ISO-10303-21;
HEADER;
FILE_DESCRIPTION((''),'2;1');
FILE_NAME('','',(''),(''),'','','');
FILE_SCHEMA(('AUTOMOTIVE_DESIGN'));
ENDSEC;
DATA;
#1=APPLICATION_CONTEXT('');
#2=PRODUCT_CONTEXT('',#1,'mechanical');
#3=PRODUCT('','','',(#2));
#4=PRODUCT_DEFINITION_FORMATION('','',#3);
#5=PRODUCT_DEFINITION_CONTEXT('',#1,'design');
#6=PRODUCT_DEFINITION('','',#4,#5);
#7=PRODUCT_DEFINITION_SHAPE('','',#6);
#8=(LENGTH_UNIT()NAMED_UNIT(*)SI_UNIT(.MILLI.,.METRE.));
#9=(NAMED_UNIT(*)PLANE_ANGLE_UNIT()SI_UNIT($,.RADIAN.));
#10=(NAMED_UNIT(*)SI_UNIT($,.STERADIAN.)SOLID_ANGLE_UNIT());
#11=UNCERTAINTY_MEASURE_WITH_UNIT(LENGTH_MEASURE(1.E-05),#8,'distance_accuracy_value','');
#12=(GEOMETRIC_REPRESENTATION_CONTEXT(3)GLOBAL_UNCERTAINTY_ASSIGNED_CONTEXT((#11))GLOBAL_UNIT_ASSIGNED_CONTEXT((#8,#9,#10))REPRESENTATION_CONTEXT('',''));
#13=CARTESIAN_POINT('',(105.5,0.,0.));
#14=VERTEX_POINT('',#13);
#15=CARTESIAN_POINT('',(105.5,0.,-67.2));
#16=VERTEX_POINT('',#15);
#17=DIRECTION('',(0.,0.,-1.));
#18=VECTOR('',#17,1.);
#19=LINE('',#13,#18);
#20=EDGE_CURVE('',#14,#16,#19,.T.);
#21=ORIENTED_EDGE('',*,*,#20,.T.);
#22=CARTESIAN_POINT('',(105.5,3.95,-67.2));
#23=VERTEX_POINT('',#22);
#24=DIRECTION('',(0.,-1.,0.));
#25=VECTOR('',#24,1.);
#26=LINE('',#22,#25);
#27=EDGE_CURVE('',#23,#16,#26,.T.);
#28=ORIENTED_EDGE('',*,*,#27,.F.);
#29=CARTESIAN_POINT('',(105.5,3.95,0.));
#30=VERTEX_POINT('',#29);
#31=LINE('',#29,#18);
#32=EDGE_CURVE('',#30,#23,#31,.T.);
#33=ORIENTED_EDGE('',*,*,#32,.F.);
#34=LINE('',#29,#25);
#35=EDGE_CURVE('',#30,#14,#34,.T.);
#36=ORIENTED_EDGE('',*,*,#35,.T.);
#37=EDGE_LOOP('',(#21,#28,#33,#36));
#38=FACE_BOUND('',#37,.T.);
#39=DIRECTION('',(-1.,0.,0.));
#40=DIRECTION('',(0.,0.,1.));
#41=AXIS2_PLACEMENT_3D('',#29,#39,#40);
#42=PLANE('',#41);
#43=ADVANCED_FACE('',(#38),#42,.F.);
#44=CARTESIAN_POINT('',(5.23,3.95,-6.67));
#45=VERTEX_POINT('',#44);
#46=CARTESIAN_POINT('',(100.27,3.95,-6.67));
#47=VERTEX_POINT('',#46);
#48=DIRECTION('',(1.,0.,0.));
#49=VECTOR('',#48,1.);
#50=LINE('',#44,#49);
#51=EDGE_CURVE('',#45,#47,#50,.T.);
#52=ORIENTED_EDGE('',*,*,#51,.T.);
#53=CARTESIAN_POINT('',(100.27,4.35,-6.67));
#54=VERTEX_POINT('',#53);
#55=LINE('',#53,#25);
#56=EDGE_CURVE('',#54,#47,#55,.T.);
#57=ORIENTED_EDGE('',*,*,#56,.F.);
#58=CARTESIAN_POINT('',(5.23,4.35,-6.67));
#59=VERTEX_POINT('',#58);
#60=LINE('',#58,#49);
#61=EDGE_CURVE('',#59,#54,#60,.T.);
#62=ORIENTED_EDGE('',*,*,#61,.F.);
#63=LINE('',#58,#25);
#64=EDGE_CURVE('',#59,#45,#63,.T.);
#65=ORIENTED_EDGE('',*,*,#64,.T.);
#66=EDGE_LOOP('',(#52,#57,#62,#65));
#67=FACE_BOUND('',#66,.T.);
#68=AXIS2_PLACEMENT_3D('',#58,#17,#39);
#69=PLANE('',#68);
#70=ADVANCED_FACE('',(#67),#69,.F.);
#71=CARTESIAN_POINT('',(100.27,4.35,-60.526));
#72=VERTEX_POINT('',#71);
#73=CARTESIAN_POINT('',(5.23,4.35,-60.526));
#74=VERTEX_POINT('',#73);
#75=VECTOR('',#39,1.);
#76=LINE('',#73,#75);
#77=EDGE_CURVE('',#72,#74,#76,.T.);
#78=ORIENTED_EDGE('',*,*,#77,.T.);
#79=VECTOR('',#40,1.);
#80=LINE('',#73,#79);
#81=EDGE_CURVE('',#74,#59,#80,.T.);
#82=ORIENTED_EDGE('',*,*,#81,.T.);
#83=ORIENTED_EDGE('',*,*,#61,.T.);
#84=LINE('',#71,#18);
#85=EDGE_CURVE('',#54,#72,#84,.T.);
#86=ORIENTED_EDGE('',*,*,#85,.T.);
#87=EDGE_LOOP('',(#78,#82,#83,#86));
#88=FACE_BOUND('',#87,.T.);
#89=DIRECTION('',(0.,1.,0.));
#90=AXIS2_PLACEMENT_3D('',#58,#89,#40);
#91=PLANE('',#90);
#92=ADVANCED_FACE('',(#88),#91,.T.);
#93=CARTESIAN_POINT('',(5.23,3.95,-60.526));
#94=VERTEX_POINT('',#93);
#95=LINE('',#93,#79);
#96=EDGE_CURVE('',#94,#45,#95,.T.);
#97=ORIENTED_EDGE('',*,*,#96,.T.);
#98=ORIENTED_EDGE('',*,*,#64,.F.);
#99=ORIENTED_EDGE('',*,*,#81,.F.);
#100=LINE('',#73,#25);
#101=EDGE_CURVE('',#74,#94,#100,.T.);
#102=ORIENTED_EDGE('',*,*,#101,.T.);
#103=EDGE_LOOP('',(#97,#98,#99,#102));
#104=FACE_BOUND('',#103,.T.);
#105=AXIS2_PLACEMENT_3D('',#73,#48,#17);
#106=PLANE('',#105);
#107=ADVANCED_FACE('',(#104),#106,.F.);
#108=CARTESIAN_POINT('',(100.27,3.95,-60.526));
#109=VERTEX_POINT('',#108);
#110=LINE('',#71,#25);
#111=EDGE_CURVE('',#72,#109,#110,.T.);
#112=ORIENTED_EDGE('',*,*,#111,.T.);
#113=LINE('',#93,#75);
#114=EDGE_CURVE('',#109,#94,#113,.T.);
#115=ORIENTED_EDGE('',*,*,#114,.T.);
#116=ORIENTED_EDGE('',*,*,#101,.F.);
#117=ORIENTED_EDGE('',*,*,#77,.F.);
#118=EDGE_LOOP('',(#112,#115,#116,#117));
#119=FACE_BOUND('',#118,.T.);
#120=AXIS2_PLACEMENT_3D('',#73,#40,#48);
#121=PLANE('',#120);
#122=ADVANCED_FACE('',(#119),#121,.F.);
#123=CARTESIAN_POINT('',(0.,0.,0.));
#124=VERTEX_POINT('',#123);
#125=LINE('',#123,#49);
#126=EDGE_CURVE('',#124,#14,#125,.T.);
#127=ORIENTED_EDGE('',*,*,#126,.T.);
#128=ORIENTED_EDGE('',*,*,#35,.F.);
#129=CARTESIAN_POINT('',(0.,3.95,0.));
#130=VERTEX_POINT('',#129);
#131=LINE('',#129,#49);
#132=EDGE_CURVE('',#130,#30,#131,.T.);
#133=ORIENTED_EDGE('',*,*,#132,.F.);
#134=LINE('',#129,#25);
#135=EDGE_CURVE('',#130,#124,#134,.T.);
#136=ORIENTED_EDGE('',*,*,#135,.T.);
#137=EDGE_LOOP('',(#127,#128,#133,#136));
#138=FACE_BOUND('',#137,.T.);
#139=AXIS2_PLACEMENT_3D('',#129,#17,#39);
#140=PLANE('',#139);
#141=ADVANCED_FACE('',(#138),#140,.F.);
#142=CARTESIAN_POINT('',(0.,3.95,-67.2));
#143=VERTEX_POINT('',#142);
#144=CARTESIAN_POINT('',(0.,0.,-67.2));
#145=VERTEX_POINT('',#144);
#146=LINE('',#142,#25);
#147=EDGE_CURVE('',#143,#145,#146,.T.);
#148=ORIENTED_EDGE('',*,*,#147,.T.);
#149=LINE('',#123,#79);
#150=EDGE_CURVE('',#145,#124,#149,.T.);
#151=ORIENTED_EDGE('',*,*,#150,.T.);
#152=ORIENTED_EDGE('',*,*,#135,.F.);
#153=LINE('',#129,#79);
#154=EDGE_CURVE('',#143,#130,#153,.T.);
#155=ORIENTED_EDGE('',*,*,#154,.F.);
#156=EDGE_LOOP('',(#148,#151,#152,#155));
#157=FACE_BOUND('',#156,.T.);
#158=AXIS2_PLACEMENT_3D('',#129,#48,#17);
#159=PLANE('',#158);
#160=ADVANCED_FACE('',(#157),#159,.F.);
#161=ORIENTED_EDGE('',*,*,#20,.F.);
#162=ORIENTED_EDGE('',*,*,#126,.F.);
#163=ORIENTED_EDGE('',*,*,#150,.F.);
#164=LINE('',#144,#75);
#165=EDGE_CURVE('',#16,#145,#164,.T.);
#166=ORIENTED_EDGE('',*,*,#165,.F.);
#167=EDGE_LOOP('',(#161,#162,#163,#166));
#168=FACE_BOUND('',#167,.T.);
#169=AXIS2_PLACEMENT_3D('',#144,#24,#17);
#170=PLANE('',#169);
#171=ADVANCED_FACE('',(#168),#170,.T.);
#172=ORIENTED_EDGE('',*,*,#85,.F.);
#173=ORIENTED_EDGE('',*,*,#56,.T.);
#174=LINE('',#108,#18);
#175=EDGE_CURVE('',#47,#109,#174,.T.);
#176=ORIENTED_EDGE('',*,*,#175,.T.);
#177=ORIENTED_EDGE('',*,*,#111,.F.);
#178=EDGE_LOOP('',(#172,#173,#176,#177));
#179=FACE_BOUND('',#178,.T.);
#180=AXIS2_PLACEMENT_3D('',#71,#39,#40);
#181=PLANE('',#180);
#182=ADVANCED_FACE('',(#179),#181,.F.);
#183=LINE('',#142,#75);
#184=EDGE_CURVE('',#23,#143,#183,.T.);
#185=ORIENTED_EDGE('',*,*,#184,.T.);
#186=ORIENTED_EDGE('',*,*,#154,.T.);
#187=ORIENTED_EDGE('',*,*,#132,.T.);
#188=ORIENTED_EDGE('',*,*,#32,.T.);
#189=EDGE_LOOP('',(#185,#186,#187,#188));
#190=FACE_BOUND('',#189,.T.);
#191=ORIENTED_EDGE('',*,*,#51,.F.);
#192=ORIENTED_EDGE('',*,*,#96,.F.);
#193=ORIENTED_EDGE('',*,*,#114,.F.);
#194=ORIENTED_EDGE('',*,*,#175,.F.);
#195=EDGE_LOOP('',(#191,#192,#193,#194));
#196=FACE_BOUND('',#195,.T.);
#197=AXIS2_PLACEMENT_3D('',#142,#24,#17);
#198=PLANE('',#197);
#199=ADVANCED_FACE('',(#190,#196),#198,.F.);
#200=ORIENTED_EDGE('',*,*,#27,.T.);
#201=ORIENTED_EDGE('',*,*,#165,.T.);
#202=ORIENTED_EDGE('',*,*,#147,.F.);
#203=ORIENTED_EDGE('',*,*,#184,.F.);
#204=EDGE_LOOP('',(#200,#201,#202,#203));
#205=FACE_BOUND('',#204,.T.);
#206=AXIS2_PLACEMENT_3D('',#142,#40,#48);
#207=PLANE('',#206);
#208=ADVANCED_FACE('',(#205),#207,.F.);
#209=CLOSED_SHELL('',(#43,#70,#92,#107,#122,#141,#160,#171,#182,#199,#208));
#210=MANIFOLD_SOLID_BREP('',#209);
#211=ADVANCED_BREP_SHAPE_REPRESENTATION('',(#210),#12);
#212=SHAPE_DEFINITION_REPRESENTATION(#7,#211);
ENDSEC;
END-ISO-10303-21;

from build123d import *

# Parameters (mm, degrees)
SKETCH1_W           = 105.5
SKETCH1_H           = 67.2
BOSS_EXTRUDE1_DEPTH = 3.95
SKETCH2_W           = 95.04
SKETCH2_H           = 53.856
BOSS_EXTRUDE2_DEPTH = 0.4


with BuildPart() as part:
    # Sketch1 → Boss-Extrude1 (new body)
    with BuildSketch(Plane(origin=(0, 0, 0), x_dir=(1, 0, 0), z_dir=(0, 1, 0))):
        with Locations((52.75, 33.6)):
            Rectangle(SKETCH1_W, SKETCH1_H)
    extrude(amount=BOSS_EXTRUDE1_DEPTH)

    # Sketch2 → Boss-Extrude2 (add)
    with BuildSketch(Plane(origin=(0, 3.95, 0), x_dir=(1, 0, 0), z_dir=(0, 1, 0))):
        with Locations((52.75, 33.598)):
            Rectangle(SKETCH2_W, SKETCH2_H)
    extrude(amount=BOSS_EXTRUDE2_DEPTH)


solid = part.part
